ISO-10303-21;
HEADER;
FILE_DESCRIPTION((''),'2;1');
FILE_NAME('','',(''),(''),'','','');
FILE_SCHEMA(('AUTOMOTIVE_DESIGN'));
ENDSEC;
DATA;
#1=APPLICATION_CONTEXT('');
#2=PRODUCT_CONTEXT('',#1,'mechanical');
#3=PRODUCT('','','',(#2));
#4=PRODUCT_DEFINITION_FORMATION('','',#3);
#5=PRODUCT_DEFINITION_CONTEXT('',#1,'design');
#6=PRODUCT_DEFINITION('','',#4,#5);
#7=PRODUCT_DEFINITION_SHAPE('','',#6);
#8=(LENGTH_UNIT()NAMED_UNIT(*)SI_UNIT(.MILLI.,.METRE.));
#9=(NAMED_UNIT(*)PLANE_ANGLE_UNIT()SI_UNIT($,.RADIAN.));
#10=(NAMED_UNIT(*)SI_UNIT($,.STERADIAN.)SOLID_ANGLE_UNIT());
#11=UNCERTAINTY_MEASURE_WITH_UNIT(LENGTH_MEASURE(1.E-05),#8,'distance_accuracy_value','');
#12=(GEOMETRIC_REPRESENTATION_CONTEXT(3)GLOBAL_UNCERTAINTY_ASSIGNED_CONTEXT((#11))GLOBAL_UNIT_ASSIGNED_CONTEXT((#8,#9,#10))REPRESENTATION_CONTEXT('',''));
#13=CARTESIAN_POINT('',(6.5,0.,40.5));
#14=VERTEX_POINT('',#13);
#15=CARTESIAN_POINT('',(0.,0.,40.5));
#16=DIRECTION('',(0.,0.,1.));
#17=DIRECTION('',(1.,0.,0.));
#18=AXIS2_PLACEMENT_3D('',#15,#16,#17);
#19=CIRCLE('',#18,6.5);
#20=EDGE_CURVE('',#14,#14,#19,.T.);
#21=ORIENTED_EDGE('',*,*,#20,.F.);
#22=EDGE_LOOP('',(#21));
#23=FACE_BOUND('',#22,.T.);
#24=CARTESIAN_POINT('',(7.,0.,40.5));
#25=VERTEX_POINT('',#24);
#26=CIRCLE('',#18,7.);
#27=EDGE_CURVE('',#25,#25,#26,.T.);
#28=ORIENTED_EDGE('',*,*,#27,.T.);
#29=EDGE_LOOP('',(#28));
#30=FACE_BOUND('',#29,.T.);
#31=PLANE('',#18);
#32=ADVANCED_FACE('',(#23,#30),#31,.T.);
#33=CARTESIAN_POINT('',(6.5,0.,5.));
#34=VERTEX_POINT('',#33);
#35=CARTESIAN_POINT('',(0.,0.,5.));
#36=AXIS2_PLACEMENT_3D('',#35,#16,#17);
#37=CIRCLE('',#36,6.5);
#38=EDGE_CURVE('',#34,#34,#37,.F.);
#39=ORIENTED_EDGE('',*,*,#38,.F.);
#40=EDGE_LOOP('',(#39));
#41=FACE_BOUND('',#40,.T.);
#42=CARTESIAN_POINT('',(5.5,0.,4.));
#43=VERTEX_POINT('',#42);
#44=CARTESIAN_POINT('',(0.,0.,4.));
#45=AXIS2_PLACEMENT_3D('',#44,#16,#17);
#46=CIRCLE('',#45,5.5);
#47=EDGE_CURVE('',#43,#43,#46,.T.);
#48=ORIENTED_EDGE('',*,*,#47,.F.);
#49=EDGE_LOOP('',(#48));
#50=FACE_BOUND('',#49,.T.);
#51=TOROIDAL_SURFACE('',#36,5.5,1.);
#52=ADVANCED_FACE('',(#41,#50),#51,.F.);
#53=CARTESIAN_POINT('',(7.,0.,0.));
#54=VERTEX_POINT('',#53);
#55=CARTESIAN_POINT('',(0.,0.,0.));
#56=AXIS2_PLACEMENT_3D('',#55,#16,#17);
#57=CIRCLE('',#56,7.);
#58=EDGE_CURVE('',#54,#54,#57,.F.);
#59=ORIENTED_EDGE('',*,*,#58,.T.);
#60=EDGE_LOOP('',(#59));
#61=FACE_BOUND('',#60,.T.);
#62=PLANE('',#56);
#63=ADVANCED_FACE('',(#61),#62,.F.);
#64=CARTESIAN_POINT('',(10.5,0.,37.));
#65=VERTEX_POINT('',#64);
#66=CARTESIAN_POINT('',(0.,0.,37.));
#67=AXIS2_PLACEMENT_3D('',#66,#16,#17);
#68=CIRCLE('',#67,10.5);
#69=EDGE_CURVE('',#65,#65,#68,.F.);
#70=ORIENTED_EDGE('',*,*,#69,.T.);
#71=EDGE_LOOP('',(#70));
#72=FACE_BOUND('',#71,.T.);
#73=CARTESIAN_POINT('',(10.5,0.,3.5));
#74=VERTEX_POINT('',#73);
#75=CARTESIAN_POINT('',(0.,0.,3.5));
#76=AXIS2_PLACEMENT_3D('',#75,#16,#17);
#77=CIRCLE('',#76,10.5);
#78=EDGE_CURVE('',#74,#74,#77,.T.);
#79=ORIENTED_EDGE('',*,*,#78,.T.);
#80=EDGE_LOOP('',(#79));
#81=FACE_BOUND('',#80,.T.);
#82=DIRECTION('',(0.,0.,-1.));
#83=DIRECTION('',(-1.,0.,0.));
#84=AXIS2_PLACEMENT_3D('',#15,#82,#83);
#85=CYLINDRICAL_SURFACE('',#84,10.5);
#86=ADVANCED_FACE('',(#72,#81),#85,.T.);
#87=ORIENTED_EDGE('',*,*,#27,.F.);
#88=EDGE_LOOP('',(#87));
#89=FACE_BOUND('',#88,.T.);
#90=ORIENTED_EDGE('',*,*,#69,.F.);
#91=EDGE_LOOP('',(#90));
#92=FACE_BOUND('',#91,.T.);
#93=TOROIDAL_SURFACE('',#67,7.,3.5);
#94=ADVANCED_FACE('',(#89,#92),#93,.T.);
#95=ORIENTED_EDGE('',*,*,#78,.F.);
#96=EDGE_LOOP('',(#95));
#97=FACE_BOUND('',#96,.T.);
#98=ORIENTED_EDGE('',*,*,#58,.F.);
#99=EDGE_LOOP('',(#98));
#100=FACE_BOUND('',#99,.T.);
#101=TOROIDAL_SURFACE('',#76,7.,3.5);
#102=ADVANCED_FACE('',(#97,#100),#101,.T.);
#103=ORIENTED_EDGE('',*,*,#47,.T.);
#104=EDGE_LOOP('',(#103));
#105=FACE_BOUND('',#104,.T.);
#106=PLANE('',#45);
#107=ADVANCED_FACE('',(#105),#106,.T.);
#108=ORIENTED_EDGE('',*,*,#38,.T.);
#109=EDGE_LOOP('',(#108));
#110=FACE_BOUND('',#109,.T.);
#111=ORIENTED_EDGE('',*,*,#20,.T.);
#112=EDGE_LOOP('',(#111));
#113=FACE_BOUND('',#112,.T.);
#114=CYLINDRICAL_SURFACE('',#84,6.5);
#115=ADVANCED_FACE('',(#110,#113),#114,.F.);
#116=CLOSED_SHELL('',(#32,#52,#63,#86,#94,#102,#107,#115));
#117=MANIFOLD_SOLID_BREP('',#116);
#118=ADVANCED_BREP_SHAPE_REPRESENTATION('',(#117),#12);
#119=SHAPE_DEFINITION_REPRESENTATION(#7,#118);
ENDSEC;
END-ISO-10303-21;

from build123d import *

# Parameters (mm, degrees)
SKETCH1_R           = 10.5
BOSS_EXTRUDE1_DEPTH = 40.5
SHELL1_T            = -4
FILLET1_R           = 3.5
FILLET2_R           = 3.5
FILLET3_R           = 1


with BuildPart() as part:
    # Sketch1 → Boss-Extrude1 (new body)
    with BuildSketch(Plane.XY):
        Circle(SKETCH1_R)
    extrude(amount=BOSS_EXTRUDE1_DEPTH)

    # Shell1
    shell1_openings = [part.faces().sort_by_distance(p)[0] for p in [
        (0, 0, 40.5),
    ]]
    offset(amount=SHELL1_T, openings=shell1_openings, kind=Kind.INTERSECTION)

    # Fillet1
    fillet1_edges = [part.edges().sort_by_distance(p)[0] for p in [
        (-10.5, 0, 40.5),
    ]]
    fillet(fillet1_edges, radius=FILLET1_R)

    # Fillet2
    fillet2_edges = [part.edges().sort_by_distance(p)[0] for p in [
        (-10.5, 0, 0),
    ]]
    fillet(fillet2_edges, radius=FILLET2_R)

    # Fillet3
    fillet3_edges = [part.edges().sort_by_distance(p)[0] for p in [
        (-6.5, 0, 4),
    ]]
    fillet(fillet3_edges, radius=FILLET3_R)


solid = part.part
